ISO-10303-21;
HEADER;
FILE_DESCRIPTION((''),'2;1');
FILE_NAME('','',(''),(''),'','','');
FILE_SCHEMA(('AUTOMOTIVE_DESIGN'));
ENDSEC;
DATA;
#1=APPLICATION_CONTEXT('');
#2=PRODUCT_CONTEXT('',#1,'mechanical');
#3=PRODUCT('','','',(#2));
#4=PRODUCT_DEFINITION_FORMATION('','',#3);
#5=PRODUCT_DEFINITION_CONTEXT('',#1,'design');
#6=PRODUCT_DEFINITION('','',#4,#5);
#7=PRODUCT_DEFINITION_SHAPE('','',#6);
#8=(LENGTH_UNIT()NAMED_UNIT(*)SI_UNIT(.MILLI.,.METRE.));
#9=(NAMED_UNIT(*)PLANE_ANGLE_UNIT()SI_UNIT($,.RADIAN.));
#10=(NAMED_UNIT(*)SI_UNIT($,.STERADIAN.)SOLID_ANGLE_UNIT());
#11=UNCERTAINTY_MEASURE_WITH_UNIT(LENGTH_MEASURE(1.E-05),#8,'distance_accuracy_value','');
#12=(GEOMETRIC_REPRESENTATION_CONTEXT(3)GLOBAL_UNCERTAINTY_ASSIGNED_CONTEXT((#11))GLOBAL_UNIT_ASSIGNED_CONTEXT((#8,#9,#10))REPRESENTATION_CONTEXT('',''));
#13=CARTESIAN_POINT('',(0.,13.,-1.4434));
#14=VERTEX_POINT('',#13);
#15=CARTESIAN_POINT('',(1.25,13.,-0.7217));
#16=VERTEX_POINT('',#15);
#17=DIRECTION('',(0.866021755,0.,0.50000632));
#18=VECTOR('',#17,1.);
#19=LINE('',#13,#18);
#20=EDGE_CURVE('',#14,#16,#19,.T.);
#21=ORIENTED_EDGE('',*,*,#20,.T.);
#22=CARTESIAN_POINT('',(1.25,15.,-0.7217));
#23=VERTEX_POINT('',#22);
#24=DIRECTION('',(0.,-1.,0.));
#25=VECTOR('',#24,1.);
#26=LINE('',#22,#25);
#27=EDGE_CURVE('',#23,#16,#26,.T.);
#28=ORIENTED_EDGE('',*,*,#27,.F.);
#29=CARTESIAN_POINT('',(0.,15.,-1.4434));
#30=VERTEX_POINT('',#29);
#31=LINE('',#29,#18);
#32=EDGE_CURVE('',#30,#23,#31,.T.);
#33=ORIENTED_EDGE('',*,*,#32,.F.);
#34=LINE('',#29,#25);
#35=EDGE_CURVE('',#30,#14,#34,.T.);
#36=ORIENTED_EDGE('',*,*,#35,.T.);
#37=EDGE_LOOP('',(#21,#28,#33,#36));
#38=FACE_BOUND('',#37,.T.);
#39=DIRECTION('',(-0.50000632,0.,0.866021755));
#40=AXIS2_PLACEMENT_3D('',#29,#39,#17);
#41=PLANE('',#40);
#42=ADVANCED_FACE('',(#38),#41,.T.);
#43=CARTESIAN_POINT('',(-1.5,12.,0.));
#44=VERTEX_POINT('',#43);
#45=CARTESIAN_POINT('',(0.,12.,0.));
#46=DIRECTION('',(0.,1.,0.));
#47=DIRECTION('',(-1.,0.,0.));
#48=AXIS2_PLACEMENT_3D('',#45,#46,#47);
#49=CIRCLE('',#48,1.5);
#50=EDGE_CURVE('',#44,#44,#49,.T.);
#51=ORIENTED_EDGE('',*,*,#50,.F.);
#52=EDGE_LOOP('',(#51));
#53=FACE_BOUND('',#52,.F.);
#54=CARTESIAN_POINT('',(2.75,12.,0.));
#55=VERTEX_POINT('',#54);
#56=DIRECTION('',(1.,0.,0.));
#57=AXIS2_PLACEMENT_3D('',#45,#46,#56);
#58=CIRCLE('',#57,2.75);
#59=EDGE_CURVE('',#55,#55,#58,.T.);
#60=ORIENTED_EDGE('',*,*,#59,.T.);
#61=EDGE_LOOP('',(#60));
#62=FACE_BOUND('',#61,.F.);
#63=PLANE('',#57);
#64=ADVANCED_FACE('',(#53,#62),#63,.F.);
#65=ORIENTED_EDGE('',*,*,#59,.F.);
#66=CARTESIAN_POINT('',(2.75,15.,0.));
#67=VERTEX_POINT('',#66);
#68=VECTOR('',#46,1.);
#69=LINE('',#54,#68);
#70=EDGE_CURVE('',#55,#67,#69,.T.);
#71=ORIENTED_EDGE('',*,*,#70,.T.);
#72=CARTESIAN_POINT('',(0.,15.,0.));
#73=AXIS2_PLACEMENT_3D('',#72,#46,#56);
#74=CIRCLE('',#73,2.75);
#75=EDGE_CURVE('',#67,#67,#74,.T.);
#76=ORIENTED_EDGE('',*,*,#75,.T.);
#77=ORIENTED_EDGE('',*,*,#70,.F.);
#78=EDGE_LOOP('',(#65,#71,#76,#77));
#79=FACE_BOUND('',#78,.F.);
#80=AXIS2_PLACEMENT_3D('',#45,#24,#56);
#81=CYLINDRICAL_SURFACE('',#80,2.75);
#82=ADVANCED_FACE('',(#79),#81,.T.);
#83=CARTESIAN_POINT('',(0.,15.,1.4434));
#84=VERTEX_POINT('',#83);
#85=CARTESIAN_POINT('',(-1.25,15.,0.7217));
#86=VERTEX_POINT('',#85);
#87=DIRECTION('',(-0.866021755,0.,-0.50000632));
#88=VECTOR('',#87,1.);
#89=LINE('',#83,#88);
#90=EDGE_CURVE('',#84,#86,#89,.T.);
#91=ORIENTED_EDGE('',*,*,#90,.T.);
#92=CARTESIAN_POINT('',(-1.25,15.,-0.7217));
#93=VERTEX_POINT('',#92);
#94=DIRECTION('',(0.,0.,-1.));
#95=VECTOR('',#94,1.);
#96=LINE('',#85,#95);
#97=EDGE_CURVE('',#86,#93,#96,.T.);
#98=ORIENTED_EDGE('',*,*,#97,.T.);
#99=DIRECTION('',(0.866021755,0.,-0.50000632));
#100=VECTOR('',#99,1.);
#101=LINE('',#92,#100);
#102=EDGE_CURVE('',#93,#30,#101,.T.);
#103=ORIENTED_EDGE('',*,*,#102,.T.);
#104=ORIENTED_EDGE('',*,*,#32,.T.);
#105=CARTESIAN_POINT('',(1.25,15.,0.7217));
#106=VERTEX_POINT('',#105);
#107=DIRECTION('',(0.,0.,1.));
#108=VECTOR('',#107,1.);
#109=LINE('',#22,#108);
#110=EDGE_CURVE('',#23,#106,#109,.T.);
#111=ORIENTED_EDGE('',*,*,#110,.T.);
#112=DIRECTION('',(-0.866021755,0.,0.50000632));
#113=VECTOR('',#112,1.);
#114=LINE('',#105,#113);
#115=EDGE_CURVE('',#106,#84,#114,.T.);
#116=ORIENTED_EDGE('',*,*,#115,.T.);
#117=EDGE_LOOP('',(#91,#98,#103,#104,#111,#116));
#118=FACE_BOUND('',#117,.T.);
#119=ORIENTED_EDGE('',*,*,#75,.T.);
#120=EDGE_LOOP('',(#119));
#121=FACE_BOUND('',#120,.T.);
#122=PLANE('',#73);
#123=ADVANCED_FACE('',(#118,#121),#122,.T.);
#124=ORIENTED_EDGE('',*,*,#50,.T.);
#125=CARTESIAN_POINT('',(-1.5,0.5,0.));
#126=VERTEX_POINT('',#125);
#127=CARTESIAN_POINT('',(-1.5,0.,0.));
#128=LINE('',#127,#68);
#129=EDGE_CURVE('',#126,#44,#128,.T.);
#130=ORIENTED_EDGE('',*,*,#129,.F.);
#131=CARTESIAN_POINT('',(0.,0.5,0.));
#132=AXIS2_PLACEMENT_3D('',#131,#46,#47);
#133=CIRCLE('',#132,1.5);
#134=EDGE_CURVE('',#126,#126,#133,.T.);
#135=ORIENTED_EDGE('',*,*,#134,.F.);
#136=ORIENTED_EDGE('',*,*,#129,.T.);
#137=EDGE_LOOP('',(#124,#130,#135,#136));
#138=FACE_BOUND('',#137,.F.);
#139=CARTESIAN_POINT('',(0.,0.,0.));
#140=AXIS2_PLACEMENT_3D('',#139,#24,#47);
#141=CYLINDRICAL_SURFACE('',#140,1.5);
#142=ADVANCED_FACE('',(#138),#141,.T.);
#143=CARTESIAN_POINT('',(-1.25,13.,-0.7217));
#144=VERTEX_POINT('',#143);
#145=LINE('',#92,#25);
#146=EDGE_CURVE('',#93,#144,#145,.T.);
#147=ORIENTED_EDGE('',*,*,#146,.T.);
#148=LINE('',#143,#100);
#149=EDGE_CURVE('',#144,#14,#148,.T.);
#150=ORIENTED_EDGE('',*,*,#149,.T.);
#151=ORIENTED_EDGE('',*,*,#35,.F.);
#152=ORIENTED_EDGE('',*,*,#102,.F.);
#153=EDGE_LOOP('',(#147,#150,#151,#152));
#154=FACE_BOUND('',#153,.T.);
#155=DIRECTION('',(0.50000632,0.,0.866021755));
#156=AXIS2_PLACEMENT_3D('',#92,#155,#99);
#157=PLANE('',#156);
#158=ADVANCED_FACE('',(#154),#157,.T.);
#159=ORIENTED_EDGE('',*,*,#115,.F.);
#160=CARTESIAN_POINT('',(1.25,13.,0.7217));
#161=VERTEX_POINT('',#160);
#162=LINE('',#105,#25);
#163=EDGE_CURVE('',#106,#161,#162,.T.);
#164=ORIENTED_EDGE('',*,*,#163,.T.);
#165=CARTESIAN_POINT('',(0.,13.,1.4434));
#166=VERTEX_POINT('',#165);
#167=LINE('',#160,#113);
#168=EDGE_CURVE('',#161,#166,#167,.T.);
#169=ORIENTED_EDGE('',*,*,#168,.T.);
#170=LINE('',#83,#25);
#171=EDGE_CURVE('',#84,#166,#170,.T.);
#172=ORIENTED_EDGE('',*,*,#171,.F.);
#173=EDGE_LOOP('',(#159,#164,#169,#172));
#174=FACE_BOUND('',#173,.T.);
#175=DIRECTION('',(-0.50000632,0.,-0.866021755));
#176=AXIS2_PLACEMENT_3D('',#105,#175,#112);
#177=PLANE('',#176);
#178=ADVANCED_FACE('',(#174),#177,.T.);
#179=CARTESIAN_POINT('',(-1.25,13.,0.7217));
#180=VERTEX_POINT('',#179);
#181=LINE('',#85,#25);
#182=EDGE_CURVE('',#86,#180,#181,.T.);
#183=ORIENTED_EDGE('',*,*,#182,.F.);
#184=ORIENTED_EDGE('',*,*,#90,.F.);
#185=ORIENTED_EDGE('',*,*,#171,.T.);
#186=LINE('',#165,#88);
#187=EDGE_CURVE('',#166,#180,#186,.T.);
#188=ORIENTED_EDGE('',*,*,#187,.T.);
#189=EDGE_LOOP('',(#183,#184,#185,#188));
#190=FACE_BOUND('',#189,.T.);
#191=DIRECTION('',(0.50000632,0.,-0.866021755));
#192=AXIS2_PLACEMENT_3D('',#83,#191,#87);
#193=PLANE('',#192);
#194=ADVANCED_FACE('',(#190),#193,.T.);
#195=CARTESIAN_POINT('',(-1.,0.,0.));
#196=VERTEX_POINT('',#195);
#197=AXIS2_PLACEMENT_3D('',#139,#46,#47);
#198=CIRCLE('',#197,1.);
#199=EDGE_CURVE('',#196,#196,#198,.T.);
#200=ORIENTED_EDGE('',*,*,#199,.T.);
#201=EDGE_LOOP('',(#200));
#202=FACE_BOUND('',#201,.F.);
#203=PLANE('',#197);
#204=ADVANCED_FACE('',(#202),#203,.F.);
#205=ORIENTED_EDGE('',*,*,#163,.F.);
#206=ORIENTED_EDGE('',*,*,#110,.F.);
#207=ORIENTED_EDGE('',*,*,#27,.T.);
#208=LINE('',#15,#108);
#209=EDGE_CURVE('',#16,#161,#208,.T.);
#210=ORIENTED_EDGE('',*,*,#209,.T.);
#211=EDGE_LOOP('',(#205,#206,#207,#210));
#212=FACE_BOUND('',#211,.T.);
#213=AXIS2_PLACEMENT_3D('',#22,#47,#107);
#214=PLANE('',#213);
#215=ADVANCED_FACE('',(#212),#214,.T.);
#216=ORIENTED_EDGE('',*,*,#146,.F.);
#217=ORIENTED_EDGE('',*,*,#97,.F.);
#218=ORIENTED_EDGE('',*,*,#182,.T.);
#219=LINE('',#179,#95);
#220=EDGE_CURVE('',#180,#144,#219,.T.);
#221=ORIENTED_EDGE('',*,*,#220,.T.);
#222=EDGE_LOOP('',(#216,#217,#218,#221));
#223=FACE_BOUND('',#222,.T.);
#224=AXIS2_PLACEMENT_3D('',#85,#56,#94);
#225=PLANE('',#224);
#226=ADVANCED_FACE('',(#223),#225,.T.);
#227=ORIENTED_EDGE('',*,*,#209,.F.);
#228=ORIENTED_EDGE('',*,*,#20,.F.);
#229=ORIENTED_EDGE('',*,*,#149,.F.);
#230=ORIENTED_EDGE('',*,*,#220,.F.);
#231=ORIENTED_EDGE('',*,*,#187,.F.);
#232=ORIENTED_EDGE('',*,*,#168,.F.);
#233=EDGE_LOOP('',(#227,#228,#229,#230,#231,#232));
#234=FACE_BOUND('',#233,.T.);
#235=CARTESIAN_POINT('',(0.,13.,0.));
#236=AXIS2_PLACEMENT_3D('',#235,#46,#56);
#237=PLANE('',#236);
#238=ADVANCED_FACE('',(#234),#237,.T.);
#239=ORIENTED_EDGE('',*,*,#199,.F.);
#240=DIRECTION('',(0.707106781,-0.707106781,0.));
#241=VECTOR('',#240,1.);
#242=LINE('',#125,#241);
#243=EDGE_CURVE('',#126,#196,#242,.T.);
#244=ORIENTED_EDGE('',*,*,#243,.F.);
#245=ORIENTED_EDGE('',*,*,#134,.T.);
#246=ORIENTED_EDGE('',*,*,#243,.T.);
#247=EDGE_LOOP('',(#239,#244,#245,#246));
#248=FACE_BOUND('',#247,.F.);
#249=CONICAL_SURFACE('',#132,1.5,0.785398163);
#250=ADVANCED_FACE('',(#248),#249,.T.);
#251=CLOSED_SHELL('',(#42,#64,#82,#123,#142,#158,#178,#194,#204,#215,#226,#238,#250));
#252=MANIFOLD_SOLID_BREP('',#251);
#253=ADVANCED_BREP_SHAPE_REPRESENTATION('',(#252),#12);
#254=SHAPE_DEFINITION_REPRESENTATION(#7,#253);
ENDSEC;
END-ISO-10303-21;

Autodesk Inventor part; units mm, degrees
ref_plane "YZ Plane" through (0, 0, 0) normal (1, 0, 0) x (0, 1, 0)
ref_plane "XZ Plane" through (0, 0, 0) normal (0, 1, 0) x (-1, 0, 0)
ref_plane "XY Plane" through (0, 0, 0) normal (0, 0, 1) x (1, 0, 0)
sketch "Sketch1" plane through (0, 0, 0) normal (0, 1, 0) x (-1, 0, 0)
  circle A0 centre (0, 0) radius 1.5
  dimension "d0" = 3
extrude "Extrusion1" add sketch "Sketch1" along normal blind 12
sketch "Sketch2" plane through (0, 12, 0) normal (0, 1, 0) x (1, 0, 0)
  circle A0 centre (0, 0) radius 1.5 projected
  circle A1 centre (0, 0) radius 2.75
  dimension "d3" = 5.5
extrude "Extrusion2" add sketch "Sketch2" along normal blind 3 contours A0 | A1
sketch "Sketch3" plane through (0, 15, 0) normal (0, 1, 0) x (1, 0, 0)
  circle A0 centre (0, 0) radius 2.75 projected
  line L0 (0, 1.4434) -> (1.25, 0.7217)
  line L1 (1.25, 0.7217) -> (1.25, -0.7217)
  line L2 (1.25, -0.7217) -> (0, -1.4434)
  line L3 (0, -1.4434) -> (-1.25, -0.7217)
  line L4 (-1.25, -0.7217) -> (-1.25, 0.7217)
  line L5 (-1.25, 0.7217) -> (0, 1.4434)
  dimension "d6" = 2.5
extrude "Extrusion3" cut sketch "Sketch3" against normal blind 2 contours L0 L1 L2 L3 L4 L5
thread "Thread1" size "M3x0.5" class "6g" standard "ANSI Metric M Profile" full length
chamfer "Chamfer1" distance 0.5 angle 45 1 edges at (1.5, 0, 0)
properties part number "M3x12SHCS"
